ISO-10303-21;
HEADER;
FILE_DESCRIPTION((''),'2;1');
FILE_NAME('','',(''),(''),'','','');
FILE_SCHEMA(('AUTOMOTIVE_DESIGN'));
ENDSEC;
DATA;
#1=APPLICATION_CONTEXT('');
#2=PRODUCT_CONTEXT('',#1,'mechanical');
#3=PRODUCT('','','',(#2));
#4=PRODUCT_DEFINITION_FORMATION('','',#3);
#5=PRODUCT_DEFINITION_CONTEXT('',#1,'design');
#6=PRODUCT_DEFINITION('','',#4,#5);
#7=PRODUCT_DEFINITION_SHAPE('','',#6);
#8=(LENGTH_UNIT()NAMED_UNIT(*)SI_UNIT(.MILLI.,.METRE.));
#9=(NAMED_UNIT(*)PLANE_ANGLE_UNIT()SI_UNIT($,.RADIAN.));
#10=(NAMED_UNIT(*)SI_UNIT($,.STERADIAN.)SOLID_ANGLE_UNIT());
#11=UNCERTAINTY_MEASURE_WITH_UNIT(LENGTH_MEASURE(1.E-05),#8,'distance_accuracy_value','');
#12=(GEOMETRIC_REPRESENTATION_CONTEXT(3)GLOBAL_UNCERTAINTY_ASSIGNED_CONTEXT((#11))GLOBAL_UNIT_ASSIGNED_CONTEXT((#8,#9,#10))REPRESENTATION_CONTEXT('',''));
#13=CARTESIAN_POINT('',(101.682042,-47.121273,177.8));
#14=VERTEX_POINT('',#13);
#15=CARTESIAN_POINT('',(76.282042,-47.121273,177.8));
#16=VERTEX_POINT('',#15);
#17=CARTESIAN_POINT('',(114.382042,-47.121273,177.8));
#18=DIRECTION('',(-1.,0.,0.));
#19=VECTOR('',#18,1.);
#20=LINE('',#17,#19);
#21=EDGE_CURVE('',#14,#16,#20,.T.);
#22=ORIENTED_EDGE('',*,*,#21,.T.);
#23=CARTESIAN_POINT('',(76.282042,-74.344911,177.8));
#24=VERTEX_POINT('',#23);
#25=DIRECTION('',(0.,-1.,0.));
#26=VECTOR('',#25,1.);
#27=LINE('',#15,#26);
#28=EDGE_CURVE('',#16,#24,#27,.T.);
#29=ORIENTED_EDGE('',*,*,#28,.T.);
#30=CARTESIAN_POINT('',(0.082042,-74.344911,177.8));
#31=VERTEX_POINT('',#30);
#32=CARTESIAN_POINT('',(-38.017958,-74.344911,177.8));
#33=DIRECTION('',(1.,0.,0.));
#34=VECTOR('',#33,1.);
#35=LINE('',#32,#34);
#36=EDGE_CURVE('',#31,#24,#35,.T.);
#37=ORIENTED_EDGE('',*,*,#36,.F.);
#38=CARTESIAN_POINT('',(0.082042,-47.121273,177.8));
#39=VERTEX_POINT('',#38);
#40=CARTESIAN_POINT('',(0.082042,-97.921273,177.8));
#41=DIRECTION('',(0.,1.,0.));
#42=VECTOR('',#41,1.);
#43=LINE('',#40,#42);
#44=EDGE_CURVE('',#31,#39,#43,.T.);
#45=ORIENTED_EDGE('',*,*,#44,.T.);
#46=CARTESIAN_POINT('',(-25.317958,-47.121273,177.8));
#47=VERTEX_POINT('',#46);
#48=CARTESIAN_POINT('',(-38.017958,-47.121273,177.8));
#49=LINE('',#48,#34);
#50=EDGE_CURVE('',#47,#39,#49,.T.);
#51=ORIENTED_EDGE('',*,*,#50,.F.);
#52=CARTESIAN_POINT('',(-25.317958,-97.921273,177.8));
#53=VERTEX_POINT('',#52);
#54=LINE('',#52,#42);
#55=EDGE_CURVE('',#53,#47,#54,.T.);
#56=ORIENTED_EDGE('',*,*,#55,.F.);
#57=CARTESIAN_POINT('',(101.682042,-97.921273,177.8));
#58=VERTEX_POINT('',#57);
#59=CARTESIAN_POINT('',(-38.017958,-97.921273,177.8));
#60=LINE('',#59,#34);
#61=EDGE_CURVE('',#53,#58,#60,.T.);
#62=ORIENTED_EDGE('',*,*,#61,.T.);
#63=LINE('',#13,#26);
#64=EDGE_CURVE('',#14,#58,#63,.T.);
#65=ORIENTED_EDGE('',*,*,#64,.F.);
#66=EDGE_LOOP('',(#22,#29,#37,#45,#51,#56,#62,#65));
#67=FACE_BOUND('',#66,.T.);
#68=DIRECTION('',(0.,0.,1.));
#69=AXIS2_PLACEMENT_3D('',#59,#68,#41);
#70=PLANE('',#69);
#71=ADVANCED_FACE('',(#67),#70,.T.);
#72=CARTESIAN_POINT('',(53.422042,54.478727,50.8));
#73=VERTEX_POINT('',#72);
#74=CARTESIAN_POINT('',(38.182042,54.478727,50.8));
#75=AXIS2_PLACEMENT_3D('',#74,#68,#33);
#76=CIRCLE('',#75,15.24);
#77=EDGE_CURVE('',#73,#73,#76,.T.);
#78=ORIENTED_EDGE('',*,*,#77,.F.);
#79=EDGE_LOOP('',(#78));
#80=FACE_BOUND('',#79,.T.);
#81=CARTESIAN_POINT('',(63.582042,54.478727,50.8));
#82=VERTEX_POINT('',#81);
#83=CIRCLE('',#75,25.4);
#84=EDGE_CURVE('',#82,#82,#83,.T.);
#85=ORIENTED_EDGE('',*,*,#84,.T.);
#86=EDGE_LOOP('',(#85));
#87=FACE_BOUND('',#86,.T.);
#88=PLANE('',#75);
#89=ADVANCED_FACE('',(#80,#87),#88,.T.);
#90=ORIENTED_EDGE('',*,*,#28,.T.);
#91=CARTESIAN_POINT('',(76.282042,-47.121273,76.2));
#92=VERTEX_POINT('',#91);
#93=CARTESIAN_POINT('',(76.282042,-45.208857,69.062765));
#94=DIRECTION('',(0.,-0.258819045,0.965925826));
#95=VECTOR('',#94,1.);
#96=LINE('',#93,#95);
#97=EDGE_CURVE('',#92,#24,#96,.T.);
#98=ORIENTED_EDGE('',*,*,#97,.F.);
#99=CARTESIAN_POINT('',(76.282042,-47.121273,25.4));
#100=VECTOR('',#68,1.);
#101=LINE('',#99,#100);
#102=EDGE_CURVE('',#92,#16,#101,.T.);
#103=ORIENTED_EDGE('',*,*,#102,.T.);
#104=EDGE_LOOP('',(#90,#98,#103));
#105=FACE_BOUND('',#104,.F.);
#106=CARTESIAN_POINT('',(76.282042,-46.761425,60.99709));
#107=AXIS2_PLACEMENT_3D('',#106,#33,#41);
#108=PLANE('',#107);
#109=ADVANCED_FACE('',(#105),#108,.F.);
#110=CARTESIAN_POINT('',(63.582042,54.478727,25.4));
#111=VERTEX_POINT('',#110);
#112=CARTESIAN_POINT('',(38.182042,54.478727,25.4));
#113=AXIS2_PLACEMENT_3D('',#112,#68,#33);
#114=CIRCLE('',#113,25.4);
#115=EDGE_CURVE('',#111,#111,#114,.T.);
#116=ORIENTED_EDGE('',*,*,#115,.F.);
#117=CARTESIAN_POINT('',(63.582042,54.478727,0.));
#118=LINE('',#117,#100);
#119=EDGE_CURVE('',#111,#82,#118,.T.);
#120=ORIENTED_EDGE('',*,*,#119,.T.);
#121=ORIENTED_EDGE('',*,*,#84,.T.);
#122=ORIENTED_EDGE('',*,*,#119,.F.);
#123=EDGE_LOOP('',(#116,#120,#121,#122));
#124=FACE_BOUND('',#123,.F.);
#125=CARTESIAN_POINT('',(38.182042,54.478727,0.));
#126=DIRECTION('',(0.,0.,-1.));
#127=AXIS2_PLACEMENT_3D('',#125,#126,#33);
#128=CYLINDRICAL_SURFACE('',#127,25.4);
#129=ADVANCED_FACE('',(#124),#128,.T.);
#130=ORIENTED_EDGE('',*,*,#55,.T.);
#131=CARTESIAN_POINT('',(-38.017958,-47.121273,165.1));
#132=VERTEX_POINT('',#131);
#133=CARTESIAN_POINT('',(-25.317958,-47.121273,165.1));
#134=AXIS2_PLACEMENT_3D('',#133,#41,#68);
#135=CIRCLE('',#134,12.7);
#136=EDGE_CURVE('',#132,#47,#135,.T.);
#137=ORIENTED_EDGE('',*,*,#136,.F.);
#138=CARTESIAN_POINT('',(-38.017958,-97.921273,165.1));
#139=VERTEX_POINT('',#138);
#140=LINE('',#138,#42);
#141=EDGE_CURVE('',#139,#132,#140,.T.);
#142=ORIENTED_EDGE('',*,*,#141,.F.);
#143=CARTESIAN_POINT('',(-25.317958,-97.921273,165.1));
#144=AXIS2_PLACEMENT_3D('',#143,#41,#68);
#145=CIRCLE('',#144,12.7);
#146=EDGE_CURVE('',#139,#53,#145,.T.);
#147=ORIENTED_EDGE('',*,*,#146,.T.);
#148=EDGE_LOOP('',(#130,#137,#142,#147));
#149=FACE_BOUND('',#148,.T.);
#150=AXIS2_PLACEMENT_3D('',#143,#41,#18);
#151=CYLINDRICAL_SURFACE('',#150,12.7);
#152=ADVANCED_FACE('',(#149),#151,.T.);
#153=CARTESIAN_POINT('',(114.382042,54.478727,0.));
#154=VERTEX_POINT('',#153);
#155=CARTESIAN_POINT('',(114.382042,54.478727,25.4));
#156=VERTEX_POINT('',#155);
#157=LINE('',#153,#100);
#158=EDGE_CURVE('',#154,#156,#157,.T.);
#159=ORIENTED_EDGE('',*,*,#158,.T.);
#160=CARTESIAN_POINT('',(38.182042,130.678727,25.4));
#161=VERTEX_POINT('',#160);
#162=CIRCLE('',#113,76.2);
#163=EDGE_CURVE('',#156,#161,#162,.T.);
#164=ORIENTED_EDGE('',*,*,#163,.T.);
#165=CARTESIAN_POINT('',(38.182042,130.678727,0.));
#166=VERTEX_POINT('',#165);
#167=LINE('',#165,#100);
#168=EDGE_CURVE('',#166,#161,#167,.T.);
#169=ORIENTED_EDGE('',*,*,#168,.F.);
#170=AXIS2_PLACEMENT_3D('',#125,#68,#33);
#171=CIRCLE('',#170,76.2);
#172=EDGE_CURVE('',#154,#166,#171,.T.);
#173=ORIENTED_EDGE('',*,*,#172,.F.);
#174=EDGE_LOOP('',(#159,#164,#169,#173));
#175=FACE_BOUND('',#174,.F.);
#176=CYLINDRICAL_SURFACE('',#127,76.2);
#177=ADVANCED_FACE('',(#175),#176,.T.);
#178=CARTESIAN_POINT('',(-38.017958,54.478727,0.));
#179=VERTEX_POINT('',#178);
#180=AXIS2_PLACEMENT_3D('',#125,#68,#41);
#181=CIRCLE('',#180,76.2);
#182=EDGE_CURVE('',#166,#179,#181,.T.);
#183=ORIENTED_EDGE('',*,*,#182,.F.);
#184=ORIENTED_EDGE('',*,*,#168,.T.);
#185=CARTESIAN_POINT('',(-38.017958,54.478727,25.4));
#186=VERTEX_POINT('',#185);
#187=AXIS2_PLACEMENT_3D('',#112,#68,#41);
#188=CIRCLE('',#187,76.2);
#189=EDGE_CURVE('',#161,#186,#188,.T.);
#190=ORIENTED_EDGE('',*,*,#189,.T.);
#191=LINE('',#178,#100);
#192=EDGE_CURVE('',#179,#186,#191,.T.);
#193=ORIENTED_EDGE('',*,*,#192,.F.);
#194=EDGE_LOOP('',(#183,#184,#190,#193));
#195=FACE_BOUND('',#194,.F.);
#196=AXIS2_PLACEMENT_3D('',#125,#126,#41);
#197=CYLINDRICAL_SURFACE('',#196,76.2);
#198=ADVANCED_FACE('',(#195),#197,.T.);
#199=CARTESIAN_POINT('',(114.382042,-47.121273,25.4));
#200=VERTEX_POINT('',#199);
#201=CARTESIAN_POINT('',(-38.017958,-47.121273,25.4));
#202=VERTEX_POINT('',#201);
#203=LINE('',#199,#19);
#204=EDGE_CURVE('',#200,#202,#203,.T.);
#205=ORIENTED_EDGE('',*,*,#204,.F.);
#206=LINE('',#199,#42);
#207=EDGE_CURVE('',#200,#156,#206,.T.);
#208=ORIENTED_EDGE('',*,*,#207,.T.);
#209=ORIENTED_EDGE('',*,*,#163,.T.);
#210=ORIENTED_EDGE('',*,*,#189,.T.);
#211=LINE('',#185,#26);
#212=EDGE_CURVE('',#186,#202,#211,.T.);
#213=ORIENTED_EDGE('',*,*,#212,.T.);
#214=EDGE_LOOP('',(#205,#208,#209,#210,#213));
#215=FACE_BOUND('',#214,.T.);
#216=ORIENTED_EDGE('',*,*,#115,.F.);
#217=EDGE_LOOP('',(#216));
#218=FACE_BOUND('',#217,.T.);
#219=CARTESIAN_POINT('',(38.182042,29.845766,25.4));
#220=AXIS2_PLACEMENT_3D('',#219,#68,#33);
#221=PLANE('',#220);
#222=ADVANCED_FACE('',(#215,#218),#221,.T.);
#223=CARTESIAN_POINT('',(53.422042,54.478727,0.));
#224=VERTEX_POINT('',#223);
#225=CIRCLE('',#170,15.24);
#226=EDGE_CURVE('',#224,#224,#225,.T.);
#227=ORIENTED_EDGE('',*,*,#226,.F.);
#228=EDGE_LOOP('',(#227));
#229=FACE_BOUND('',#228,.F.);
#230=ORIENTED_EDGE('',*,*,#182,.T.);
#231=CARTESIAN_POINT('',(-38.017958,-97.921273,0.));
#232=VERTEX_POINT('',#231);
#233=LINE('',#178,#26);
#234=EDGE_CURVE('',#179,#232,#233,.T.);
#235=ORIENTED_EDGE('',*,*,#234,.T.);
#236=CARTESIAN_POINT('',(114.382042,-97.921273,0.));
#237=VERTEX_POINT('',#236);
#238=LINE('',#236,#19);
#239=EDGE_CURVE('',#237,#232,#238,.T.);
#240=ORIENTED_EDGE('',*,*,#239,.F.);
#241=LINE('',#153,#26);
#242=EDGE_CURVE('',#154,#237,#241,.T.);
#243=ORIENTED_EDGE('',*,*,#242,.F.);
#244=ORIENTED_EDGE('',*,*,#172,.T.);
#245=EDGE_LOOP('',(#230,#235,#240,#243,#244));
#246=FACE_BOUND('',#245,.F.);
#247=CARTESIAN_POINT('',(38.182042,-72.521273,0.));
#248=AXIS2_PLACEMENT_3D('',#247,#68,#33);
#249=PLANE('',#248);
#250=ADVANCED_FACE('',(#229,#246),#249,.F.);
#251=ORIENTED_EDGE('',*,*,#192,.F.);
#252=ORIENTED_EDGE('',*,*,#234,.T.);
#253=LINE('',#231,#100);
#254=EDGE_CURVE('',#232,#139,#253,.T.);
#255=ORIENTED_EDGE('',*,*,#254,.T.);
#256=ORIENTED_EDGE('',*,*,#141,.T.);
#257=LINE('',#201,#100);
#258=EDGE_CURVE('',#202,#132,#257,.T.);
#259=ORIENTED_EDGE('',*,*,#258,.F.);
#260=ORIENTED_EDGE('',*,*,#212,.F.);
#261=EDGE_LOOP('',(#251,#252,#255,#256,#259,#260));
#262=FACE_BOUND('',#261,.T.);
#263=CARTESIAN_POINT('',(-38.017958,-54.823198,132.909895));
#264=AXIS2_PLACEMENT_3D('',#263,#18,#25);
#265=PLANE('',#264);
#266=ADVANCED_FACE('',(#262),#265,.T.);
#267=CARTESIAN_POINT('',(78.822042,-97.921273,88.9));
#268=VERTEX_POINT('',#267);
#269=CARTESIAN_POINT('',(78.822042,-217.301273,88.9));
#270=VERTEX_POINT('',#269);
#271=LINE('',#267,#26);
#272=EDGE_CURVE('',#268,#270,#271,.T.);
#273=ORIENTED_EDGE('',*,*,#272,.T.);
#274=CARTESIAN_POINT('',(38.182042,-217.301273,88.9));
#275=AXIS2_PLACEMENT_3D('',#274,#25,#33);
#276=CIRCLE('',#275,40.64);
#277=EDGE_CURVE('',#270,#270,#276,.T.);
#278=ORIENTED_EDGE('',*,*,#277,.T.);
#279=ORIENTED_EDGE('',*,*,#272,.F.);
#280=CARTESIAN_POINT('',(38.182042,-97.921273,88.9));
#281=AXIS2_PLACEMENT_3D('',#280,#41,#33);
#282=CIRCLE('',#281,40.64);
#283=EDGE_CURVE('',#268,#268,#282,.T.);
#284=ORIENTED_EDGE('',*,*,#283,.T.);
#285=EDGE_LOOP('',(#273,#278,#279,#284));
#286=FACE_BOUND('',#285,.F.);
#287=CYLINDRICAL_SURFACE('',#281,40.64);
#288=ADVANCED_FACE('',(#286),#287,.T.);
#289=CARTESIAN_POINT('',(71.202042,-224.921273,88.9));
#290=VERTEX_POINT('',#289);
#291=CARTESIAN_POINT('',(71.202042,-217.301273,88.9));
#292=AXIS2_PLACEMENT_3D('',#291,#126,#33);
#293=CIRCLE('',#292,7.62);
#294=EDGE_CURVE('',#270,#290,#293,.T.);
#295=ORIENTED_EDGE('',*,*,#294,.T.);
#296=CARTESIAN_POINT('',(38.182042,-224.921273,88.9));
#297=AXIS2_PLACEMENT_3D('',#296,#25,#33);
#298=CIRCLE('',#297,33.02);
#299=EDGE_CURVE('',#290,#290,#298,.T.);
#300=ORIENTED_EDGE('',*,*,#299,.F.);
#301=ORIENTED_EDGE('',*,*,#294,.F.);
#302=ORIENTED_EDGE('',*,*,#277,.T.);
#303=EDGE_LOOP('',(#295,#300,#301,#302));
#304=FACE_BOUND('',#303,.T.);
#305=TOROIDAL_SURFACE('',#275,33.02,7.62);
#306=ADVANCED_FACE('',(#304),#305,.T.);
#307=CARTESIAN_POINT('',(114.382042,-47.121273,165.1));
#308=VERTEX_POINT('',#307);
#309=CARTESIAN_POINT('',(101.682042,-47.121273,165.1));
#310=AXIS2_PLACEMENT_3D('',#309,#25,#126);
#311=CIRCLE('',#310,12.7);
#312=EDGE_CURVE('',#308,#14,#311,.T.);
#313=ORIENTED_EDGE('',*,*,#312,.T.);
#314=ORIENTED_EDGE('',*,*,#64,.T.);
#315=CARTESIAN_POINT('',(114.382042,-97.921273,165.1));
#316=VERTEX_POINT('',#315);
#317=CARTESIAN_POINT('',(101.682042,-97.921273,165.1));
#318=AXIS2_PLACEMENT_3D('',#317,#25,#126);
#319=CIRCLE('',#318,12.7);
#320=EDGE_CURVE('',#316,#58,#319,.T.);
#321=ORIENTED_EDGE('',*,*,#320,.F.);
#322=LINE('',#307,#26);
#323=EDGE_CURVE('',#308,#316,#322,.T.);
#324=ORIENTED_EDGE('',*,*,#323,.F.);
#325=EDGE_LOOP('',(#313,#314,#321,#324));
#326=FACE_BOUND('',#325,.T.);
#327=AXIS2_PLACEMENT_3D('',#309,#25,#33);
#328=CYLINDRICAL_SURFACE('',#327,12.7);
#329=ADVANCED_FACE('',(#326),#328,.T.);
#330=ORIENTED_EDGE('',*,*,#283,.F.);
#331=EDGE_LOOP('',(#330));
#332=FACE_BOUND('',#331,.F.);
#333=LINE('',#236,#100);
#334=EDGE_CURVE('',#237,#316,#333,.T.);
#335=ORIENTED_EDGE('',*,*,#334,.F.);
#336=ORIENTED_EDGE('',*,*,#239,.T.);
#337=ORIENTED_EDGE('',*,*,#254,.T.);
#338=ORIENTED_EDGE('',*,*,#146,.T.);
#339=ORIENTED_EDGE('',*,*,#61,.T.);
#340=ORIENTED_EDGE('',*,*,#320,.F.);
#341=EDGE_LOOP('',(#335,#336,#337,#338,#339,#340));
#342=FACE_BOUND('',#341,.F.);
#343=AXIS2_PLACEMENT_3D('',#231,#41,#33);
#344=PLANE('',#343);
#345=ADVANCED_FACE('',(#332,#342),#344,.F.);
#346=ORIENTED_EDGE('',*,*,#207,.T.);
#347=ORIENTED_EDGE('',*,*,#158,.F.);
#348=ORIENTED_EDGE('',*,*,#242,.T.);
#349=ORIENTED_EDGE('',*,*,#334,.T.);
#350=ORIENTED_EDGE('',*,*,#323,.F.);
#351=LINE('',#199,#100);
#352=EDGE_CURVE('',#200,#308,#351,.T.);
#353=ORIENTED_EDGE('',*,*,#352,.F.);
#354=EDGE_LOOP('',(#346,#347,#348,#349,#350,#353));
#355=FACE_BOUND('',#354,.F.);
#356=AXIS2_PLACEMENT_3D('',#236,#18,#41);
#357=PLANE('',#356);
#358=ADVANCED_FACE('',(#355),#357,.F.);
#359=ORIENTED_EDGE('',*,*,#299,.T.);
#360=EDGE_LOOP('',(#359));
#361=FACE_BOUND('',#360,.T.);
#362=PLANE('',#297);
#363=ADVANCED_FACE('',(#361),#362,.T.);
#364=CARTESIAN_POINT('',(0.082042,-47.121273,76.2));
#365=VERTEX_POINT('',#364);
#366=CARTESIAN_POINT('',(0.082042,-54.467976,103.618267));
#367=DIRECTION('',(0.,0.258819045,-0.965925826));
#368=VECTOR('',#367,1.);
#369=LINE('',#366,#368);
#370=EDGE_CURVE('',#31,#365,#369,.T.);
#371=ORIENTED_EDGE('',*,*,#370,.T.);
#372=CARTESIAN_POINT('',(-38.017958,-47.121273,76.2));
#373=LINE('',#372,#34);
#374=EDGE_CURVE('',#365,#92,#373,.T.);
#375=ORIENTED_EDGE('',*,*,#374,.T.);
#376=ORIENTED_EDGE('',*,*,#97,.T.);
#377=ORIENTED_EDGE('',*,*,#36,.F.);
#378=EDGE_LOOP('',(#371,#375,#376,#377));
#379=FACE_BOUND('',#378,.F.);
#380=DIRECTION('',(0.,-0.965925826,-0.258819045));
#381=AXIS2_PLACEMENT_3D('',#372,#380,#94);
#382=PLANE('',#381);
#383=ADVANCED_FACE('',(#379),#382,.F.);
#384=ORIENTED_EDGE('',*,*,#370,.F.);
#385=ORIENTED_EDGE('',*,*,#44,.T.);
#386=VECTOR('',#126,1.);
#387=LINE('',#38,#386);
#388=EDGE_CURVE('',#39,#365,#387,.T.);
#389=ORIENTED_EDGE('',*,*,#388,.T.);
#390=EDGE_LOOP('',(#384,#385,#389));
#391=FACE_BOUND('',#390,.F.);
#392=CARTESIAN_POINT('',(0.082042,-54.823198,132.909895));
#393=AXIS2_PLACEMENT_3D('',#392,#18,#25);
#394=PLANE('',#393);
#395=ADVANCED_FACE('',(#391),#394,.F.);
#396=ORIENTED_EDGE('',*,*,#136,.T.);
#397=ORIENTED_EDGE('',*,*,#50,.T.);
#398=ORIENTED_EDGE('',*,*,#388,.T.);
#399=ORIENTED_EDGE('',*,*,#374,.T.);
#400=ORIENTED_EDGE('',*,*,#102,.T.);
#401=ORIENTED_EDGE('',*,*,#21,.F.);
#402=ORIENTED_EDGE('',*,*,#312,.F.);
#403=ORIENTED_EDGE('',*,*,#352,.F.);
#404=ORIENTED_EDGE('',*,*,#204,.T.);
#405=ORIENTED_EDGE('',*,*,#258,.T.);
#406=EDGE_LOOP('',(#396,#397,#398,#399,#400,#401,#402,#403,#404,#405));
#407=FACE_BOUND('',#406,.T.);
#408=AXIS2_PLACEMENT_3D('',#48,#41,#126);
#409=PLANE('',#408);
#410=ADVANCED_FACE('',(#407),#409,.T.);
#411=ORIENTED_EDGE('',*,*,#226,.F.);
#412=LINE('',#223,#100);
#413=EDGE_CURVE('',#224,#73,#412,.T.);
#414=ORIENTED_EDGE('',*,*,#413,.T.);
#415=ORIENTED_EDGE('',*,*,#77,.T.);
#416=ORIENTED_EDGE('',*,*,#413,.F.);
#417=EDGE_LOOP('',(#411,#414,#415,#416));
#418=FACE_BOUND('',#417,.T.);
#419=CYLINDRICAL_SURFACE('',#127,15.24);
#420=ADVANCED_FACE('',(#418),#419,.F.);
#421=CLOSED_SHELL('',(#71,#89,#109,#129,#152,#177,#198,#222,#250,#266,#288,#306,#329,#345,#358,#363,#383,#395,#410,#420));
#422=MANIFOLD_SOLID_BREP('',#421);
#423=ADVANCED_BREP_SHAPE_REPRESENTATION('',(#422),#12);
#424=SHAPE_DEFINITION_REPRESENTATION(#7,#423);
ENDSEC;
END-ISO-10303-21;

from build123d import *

# Parameters (mm, degrees)
F0_R      = 25.4
F0_R_2    = 15.24
F1_DEPTH  = 50.8
F2_DEPTH  = 25.4
F0_W      = 152.4
F0_H      = 50.8
F3_DEPTH  = 177.8
F4_R      = 40.64
F5_DEPTH  = 127
F6_R      = 7.62
F9_DEPTH  = 164.846
F10_DEPTH = 38.1
F11_DEPTH = 38.1
F12_R     = 12.7


with BuildPart() as f1:
    # F0 (on Top) → F1 (new body)
    with BuildSketch(Plane.XY):
        with Locations((38.1820415974, 54.4787267387)):
            Circle(F0_R)
        with Locations((38.1820415974, 54.4787267387)):
            Circle(F0_R_2, mode=Mode.SUBTRACT)
    extrude(amount=F1_DEPTH)

    # F0 (on Top) → F2 (join)
    with BuildSketch(Plane.XY):
        with BuildLine():
            Line((114.3820415974, -47.1212732613), (114.3820415974, 54.4787267387))
            ThreePointArc((114.3820415974, 54.4787267387), (92.0635783238, 108.3602634651), (38.1820415974, 130.6787267387))
            ThreePointArc((38.1820415974, 130.6787267387), (-15.699495129, 108.3602634651), (-38.0179584026, 54.4787267387))
            Line((-38.0179584026, 54.4787267387), (-38.0179584026, -47.1212732613))
            Line((-38.0179584026, -47.1212732613), (114.3820415974, -47.1212732613))
        make_face()
        with Locations((38.1820415974, 54.4787267387)):
            Circle(F0_R, mode=Mode.SUBTRACT)
    extrude(amount=F2_DEPTH)

    # F0 (on Top) → F3 (join)
    with BuildSketch(Plane.XY):
        with Locations((38.1820415974, -72.5212732613)):
            Rectangle(F0_W, F0_H)
    extrude(amount=F3_DEPTH)

    # F4 (on face) → F5 (join)
    with BuildSketch(Plane.XZ.offset(97.9212732613)):
        with Locations((38.1820415974, 88.9)):
            Circle(F4_R)
    extrude(amount=F5_DEPTH)

    # F6
    f6_edges = [f1.edges().sort_by_distance(p)[0] for p in [
        (-2.457958, -224.921273, 88.9),
    ]]
    fillet(f6_edges, radius=F6_R)

    # F8 (on face) → F9 (cut)
    with BuildSketch(Plane(origin=(-38.0179584026, 0, 0), x_dir=(0, -1, 0), z_dir=(-1, 0, 0))):
        Polygon((74.3449112123, 177.8), (47.1212732613, 177.8), (47.1212732613, 76.2), align=None)
    extrude(amount=-F9_DEPTH, mode=Mode.SUBTRACT)

    # F7 (on face) → F10 (join)
    with BuildSketch(Plane.YZ.offset(114.3820415974)):
        Polygon((-47.1212732613, 25.4), (-47.1212732613, 76.2), (-74.3449112123, 177.8), (-97.9212732613, 177.8), (-97.9212732613, 0), (54.4787267387, 0), (54.4787267387, 25.4), align=None)
        Polygon((-47.1212732613, 76.2), (-47.1212732613, 177.8), (-74.3449112123, 177.8), align=None)
    extrude(amount=-F10_DEPTH)

    # F8 (on face) → F11 (join)
    with BuildSketch(Plane(origin=(-38.0179584026, 0, 0), x_dir=(0, -1, 0), z_dir=(-1, 0, 0))):
        Polygon((74.3449112123, 177.8), (47.1212732613, 177.8), (47.1212732613, 76.2), align=None)
        Polygon((74.3449112123, 177.8), (47.1212732613, 76.2), (47.1212732613, 25.4), (-54.4787267387, 25.4), (-54.4787267387, 0), (97.9212732613, 0), (97.9212732613, 177.8), align=None)
    extrude(amount=-F11_DEPTH)

    # F12
    f12_edges = [f1.edges().sort_by_distance(p)[0] for p in [
        (114.382042, -72.521273, 177.8),
        (-38.017958, -72.521273, 177.8),
    ]]
    fillet(f12_edges, radius=F12_R)


solid = f1.part
